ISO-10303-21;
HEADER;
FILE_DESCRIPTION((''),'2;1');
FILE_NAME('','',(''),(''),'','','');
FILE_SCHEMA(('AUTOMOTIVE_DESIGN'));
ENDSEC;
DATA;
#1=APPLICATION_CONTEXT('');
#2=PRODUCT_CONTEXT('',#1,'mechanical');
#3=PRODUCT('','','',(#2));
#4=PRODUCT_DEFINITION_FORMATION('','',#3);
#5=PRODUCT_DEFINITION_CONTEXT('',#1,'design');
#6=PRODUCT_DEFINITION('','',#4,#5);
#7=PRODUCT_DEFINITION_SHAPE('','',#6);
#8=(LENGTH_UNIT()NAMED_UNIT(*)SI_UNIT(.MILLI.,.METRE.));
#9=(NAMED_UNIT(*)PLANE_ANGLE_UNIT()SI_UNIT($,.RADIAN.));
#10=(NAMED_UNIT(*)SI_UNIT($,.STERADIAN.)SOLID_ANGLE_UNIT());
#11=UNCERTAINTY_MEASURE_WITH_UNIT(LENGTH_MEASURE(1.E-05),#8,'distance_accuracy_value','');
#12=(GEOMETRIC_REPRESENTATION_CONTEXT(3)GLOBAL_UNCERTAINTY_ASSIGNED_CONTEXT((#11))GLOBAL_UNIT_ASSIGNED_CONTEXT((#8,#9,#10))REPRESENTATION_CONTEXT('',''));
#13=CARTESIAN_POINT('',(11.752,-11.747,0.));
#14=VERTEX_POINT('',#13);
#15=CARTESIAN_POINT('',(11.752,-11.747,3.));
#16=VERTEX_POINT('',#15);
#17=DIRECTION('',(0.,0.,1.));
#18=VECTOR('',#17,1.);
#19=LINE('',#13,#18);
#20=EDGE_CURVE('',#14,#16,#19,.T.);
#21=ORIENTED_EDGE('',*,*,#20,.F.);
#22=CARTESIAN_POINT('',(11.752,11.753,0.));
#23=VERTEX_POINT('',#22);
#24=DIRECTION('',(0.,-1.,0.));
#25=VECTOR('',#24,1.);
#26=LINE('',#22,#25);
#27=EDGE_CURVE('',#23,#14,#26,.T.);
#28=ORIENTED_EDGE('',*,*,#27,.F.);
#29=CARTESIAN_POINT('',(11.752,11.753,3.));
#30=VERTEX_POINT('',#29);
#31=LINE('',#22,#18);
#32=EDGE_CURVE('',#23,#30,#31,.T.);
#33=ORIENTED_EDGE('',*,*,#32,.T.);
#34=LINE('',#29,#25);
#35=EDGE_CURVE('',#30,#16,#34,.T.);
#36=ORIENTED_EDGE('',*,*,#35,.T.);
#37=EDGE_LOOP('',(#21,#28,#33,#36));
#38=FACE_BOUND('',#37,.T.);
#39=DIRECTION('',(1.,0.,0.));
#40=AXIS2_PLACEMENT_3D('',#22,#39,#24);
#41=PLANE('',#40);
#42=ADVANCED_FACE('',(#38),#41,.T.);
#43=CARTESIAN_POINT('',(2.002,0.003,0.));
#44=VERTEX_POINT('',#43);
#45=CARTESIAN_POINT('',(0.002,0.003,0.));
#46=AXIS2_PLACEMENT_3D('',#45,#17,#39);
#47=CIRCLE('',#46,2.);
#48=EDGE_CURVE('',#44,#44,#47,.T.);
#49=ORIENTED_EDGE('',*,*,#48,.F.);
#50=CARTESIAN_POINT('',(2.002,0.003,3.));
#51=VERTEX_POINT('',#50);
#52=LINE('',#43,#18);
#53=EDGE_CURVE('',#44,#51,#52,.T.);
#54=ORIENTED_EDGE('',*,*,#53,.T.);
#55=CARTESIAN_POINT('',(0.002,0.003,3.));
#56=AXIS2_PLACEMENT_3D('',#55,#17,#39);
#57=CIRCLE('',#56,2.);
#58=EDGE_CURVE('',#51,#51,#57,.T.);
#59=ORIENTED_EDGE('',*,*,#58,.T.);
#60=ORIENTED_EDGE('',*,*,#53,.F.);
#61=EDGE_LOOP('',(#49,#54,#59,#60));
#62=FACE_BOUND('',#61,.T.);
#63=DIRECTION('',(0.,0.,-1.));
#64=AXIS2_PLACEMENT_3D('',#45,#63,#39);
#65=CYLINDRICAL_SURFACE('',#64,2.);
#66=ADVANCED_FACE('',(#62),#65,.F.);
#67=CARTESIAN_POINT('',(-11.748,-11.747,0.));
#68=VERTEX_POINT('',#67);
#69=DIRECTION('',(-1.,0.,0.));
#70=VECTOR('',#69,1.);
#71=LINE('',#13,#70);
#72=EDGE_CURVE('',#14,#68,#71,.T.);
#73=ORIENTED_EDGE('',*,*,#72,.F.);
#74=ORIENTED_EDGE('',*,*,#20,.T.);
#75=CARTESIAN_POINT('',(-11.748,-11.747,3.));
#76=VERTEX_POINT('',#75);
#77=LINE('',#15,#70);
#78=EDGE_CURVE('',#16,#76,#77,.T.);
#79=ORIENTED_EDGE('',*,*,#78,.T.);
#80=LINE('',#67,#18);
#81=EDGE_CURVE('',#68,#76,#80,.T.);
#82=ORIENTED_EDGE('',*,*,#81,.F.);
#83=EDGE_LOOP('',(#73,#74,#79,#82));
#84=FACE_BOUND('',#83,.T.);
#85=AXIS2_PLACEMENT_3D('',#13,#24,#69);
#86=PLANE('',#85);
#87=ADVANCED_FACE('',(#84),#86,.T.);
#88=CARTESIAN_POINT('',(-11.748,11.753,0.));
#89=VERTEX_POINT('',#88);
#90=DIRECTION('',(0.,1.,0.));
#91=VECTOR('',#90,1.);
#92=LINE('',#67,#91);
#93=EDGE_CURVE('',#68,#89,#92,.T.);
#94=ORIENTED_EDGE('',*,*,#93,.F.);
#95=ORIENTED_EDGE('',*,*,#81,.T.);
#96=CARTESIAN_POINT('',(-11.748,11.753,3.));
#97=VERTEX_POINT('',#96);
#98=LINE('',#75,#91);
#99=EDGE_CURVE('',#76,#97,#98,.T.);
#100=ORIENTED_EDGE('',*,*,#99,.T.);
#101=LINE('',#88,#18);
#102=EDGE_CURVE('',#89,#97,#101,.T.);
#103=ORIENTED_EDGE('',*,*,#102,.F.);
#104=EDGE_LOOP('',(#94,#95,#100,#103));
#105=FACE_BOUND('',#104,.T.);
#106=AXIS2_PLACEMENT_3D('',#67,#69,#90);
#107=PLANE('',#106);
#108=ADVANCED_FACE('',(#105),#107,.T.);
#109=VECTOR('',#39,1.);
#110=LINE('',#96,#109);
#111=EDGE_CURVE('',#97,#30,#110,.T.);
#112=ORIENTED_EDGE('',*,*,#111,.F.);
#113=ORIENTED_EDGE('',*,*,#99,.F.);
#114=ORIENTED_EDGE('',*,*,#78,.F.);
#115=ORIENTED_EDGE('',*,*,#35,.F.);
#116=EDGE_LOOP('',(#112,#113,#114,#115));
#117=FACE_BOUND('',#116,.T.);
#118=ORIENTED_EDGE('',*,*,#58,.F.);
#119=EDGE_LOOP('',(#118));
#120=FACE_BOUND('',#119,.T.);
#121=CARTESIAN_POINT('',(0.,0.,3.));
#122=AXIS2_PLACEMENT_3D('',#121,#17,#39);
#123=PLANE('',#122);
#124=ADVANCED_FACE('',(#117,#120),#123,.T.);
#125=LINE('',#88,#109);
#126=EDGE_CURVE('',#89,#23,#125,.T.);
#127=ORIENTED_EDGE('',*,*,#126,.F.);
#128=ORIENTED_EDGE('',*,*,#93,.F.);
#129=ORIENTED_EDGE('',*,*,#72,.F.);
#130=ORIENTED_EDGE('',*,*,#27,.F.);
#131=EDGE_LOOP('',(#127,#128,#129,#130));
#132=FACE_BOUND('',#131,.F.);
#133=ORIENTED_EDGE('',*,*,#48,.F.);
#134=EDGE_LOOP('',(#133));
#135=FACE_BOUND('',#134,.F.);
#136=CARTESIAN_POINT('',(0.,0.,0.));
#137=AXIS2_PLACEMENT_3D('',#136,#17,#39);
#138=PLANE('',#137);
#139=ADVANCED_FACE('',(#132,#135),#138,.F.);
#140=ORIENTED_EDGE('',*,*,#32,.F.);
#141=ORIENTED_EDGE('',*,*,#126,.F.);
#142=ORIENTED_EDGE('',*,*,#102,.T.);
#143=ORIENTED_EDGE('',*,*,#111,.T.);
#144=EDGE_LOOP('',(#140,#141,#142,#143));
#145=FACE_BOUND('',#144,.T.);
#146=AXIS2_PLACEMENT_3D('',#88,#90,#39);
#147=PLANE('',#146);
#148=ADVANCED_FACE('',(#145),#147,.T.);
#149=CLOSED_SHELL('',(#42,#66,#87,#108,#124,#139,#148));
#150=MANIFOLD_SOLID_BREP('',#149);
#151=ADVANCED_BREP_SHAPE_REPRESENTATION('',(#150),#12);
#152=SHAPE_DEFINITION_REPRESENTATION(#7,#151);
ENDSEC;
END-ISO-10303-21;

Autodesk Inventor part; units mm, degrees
ref_plane "YZ Plane" through (0, 0, 0) normal (1, 0, 0) x (0, 1, 0)
ref_plane "XZ Plane" through (0, 0, 0) normal (0, 1, 0) x (-1, 0, 0)
ref_plane "XY Plane" through (0, 0, 0) normal (0, 0, 1) x (1, 0, 0)
sketch "Sketch1" plane through (0, 0, 0) normal (0, 0, 1) x (1, 0, 0)
  circle A0 centre (0.002, 0.003) radius 2
  line L0 (-11.748, 11.753) -> (11.752, 11.753)
  line L1 (11.752, 11.753) -> (11.752, -11.747)
  line L2 (11.752, -11.747) -> (-11.748, -11.747)
  line L3 (-11.748, -11.747) -> (-11.748, 11.753)
  dimension "d5" = 4
  dimension "d8" = 23.5
  dimension "d9" = 23.5
extrude "Extrusion1" add sketch "Sketch1" along normal blind 3
properties part number "bold holder" material "Silver"
